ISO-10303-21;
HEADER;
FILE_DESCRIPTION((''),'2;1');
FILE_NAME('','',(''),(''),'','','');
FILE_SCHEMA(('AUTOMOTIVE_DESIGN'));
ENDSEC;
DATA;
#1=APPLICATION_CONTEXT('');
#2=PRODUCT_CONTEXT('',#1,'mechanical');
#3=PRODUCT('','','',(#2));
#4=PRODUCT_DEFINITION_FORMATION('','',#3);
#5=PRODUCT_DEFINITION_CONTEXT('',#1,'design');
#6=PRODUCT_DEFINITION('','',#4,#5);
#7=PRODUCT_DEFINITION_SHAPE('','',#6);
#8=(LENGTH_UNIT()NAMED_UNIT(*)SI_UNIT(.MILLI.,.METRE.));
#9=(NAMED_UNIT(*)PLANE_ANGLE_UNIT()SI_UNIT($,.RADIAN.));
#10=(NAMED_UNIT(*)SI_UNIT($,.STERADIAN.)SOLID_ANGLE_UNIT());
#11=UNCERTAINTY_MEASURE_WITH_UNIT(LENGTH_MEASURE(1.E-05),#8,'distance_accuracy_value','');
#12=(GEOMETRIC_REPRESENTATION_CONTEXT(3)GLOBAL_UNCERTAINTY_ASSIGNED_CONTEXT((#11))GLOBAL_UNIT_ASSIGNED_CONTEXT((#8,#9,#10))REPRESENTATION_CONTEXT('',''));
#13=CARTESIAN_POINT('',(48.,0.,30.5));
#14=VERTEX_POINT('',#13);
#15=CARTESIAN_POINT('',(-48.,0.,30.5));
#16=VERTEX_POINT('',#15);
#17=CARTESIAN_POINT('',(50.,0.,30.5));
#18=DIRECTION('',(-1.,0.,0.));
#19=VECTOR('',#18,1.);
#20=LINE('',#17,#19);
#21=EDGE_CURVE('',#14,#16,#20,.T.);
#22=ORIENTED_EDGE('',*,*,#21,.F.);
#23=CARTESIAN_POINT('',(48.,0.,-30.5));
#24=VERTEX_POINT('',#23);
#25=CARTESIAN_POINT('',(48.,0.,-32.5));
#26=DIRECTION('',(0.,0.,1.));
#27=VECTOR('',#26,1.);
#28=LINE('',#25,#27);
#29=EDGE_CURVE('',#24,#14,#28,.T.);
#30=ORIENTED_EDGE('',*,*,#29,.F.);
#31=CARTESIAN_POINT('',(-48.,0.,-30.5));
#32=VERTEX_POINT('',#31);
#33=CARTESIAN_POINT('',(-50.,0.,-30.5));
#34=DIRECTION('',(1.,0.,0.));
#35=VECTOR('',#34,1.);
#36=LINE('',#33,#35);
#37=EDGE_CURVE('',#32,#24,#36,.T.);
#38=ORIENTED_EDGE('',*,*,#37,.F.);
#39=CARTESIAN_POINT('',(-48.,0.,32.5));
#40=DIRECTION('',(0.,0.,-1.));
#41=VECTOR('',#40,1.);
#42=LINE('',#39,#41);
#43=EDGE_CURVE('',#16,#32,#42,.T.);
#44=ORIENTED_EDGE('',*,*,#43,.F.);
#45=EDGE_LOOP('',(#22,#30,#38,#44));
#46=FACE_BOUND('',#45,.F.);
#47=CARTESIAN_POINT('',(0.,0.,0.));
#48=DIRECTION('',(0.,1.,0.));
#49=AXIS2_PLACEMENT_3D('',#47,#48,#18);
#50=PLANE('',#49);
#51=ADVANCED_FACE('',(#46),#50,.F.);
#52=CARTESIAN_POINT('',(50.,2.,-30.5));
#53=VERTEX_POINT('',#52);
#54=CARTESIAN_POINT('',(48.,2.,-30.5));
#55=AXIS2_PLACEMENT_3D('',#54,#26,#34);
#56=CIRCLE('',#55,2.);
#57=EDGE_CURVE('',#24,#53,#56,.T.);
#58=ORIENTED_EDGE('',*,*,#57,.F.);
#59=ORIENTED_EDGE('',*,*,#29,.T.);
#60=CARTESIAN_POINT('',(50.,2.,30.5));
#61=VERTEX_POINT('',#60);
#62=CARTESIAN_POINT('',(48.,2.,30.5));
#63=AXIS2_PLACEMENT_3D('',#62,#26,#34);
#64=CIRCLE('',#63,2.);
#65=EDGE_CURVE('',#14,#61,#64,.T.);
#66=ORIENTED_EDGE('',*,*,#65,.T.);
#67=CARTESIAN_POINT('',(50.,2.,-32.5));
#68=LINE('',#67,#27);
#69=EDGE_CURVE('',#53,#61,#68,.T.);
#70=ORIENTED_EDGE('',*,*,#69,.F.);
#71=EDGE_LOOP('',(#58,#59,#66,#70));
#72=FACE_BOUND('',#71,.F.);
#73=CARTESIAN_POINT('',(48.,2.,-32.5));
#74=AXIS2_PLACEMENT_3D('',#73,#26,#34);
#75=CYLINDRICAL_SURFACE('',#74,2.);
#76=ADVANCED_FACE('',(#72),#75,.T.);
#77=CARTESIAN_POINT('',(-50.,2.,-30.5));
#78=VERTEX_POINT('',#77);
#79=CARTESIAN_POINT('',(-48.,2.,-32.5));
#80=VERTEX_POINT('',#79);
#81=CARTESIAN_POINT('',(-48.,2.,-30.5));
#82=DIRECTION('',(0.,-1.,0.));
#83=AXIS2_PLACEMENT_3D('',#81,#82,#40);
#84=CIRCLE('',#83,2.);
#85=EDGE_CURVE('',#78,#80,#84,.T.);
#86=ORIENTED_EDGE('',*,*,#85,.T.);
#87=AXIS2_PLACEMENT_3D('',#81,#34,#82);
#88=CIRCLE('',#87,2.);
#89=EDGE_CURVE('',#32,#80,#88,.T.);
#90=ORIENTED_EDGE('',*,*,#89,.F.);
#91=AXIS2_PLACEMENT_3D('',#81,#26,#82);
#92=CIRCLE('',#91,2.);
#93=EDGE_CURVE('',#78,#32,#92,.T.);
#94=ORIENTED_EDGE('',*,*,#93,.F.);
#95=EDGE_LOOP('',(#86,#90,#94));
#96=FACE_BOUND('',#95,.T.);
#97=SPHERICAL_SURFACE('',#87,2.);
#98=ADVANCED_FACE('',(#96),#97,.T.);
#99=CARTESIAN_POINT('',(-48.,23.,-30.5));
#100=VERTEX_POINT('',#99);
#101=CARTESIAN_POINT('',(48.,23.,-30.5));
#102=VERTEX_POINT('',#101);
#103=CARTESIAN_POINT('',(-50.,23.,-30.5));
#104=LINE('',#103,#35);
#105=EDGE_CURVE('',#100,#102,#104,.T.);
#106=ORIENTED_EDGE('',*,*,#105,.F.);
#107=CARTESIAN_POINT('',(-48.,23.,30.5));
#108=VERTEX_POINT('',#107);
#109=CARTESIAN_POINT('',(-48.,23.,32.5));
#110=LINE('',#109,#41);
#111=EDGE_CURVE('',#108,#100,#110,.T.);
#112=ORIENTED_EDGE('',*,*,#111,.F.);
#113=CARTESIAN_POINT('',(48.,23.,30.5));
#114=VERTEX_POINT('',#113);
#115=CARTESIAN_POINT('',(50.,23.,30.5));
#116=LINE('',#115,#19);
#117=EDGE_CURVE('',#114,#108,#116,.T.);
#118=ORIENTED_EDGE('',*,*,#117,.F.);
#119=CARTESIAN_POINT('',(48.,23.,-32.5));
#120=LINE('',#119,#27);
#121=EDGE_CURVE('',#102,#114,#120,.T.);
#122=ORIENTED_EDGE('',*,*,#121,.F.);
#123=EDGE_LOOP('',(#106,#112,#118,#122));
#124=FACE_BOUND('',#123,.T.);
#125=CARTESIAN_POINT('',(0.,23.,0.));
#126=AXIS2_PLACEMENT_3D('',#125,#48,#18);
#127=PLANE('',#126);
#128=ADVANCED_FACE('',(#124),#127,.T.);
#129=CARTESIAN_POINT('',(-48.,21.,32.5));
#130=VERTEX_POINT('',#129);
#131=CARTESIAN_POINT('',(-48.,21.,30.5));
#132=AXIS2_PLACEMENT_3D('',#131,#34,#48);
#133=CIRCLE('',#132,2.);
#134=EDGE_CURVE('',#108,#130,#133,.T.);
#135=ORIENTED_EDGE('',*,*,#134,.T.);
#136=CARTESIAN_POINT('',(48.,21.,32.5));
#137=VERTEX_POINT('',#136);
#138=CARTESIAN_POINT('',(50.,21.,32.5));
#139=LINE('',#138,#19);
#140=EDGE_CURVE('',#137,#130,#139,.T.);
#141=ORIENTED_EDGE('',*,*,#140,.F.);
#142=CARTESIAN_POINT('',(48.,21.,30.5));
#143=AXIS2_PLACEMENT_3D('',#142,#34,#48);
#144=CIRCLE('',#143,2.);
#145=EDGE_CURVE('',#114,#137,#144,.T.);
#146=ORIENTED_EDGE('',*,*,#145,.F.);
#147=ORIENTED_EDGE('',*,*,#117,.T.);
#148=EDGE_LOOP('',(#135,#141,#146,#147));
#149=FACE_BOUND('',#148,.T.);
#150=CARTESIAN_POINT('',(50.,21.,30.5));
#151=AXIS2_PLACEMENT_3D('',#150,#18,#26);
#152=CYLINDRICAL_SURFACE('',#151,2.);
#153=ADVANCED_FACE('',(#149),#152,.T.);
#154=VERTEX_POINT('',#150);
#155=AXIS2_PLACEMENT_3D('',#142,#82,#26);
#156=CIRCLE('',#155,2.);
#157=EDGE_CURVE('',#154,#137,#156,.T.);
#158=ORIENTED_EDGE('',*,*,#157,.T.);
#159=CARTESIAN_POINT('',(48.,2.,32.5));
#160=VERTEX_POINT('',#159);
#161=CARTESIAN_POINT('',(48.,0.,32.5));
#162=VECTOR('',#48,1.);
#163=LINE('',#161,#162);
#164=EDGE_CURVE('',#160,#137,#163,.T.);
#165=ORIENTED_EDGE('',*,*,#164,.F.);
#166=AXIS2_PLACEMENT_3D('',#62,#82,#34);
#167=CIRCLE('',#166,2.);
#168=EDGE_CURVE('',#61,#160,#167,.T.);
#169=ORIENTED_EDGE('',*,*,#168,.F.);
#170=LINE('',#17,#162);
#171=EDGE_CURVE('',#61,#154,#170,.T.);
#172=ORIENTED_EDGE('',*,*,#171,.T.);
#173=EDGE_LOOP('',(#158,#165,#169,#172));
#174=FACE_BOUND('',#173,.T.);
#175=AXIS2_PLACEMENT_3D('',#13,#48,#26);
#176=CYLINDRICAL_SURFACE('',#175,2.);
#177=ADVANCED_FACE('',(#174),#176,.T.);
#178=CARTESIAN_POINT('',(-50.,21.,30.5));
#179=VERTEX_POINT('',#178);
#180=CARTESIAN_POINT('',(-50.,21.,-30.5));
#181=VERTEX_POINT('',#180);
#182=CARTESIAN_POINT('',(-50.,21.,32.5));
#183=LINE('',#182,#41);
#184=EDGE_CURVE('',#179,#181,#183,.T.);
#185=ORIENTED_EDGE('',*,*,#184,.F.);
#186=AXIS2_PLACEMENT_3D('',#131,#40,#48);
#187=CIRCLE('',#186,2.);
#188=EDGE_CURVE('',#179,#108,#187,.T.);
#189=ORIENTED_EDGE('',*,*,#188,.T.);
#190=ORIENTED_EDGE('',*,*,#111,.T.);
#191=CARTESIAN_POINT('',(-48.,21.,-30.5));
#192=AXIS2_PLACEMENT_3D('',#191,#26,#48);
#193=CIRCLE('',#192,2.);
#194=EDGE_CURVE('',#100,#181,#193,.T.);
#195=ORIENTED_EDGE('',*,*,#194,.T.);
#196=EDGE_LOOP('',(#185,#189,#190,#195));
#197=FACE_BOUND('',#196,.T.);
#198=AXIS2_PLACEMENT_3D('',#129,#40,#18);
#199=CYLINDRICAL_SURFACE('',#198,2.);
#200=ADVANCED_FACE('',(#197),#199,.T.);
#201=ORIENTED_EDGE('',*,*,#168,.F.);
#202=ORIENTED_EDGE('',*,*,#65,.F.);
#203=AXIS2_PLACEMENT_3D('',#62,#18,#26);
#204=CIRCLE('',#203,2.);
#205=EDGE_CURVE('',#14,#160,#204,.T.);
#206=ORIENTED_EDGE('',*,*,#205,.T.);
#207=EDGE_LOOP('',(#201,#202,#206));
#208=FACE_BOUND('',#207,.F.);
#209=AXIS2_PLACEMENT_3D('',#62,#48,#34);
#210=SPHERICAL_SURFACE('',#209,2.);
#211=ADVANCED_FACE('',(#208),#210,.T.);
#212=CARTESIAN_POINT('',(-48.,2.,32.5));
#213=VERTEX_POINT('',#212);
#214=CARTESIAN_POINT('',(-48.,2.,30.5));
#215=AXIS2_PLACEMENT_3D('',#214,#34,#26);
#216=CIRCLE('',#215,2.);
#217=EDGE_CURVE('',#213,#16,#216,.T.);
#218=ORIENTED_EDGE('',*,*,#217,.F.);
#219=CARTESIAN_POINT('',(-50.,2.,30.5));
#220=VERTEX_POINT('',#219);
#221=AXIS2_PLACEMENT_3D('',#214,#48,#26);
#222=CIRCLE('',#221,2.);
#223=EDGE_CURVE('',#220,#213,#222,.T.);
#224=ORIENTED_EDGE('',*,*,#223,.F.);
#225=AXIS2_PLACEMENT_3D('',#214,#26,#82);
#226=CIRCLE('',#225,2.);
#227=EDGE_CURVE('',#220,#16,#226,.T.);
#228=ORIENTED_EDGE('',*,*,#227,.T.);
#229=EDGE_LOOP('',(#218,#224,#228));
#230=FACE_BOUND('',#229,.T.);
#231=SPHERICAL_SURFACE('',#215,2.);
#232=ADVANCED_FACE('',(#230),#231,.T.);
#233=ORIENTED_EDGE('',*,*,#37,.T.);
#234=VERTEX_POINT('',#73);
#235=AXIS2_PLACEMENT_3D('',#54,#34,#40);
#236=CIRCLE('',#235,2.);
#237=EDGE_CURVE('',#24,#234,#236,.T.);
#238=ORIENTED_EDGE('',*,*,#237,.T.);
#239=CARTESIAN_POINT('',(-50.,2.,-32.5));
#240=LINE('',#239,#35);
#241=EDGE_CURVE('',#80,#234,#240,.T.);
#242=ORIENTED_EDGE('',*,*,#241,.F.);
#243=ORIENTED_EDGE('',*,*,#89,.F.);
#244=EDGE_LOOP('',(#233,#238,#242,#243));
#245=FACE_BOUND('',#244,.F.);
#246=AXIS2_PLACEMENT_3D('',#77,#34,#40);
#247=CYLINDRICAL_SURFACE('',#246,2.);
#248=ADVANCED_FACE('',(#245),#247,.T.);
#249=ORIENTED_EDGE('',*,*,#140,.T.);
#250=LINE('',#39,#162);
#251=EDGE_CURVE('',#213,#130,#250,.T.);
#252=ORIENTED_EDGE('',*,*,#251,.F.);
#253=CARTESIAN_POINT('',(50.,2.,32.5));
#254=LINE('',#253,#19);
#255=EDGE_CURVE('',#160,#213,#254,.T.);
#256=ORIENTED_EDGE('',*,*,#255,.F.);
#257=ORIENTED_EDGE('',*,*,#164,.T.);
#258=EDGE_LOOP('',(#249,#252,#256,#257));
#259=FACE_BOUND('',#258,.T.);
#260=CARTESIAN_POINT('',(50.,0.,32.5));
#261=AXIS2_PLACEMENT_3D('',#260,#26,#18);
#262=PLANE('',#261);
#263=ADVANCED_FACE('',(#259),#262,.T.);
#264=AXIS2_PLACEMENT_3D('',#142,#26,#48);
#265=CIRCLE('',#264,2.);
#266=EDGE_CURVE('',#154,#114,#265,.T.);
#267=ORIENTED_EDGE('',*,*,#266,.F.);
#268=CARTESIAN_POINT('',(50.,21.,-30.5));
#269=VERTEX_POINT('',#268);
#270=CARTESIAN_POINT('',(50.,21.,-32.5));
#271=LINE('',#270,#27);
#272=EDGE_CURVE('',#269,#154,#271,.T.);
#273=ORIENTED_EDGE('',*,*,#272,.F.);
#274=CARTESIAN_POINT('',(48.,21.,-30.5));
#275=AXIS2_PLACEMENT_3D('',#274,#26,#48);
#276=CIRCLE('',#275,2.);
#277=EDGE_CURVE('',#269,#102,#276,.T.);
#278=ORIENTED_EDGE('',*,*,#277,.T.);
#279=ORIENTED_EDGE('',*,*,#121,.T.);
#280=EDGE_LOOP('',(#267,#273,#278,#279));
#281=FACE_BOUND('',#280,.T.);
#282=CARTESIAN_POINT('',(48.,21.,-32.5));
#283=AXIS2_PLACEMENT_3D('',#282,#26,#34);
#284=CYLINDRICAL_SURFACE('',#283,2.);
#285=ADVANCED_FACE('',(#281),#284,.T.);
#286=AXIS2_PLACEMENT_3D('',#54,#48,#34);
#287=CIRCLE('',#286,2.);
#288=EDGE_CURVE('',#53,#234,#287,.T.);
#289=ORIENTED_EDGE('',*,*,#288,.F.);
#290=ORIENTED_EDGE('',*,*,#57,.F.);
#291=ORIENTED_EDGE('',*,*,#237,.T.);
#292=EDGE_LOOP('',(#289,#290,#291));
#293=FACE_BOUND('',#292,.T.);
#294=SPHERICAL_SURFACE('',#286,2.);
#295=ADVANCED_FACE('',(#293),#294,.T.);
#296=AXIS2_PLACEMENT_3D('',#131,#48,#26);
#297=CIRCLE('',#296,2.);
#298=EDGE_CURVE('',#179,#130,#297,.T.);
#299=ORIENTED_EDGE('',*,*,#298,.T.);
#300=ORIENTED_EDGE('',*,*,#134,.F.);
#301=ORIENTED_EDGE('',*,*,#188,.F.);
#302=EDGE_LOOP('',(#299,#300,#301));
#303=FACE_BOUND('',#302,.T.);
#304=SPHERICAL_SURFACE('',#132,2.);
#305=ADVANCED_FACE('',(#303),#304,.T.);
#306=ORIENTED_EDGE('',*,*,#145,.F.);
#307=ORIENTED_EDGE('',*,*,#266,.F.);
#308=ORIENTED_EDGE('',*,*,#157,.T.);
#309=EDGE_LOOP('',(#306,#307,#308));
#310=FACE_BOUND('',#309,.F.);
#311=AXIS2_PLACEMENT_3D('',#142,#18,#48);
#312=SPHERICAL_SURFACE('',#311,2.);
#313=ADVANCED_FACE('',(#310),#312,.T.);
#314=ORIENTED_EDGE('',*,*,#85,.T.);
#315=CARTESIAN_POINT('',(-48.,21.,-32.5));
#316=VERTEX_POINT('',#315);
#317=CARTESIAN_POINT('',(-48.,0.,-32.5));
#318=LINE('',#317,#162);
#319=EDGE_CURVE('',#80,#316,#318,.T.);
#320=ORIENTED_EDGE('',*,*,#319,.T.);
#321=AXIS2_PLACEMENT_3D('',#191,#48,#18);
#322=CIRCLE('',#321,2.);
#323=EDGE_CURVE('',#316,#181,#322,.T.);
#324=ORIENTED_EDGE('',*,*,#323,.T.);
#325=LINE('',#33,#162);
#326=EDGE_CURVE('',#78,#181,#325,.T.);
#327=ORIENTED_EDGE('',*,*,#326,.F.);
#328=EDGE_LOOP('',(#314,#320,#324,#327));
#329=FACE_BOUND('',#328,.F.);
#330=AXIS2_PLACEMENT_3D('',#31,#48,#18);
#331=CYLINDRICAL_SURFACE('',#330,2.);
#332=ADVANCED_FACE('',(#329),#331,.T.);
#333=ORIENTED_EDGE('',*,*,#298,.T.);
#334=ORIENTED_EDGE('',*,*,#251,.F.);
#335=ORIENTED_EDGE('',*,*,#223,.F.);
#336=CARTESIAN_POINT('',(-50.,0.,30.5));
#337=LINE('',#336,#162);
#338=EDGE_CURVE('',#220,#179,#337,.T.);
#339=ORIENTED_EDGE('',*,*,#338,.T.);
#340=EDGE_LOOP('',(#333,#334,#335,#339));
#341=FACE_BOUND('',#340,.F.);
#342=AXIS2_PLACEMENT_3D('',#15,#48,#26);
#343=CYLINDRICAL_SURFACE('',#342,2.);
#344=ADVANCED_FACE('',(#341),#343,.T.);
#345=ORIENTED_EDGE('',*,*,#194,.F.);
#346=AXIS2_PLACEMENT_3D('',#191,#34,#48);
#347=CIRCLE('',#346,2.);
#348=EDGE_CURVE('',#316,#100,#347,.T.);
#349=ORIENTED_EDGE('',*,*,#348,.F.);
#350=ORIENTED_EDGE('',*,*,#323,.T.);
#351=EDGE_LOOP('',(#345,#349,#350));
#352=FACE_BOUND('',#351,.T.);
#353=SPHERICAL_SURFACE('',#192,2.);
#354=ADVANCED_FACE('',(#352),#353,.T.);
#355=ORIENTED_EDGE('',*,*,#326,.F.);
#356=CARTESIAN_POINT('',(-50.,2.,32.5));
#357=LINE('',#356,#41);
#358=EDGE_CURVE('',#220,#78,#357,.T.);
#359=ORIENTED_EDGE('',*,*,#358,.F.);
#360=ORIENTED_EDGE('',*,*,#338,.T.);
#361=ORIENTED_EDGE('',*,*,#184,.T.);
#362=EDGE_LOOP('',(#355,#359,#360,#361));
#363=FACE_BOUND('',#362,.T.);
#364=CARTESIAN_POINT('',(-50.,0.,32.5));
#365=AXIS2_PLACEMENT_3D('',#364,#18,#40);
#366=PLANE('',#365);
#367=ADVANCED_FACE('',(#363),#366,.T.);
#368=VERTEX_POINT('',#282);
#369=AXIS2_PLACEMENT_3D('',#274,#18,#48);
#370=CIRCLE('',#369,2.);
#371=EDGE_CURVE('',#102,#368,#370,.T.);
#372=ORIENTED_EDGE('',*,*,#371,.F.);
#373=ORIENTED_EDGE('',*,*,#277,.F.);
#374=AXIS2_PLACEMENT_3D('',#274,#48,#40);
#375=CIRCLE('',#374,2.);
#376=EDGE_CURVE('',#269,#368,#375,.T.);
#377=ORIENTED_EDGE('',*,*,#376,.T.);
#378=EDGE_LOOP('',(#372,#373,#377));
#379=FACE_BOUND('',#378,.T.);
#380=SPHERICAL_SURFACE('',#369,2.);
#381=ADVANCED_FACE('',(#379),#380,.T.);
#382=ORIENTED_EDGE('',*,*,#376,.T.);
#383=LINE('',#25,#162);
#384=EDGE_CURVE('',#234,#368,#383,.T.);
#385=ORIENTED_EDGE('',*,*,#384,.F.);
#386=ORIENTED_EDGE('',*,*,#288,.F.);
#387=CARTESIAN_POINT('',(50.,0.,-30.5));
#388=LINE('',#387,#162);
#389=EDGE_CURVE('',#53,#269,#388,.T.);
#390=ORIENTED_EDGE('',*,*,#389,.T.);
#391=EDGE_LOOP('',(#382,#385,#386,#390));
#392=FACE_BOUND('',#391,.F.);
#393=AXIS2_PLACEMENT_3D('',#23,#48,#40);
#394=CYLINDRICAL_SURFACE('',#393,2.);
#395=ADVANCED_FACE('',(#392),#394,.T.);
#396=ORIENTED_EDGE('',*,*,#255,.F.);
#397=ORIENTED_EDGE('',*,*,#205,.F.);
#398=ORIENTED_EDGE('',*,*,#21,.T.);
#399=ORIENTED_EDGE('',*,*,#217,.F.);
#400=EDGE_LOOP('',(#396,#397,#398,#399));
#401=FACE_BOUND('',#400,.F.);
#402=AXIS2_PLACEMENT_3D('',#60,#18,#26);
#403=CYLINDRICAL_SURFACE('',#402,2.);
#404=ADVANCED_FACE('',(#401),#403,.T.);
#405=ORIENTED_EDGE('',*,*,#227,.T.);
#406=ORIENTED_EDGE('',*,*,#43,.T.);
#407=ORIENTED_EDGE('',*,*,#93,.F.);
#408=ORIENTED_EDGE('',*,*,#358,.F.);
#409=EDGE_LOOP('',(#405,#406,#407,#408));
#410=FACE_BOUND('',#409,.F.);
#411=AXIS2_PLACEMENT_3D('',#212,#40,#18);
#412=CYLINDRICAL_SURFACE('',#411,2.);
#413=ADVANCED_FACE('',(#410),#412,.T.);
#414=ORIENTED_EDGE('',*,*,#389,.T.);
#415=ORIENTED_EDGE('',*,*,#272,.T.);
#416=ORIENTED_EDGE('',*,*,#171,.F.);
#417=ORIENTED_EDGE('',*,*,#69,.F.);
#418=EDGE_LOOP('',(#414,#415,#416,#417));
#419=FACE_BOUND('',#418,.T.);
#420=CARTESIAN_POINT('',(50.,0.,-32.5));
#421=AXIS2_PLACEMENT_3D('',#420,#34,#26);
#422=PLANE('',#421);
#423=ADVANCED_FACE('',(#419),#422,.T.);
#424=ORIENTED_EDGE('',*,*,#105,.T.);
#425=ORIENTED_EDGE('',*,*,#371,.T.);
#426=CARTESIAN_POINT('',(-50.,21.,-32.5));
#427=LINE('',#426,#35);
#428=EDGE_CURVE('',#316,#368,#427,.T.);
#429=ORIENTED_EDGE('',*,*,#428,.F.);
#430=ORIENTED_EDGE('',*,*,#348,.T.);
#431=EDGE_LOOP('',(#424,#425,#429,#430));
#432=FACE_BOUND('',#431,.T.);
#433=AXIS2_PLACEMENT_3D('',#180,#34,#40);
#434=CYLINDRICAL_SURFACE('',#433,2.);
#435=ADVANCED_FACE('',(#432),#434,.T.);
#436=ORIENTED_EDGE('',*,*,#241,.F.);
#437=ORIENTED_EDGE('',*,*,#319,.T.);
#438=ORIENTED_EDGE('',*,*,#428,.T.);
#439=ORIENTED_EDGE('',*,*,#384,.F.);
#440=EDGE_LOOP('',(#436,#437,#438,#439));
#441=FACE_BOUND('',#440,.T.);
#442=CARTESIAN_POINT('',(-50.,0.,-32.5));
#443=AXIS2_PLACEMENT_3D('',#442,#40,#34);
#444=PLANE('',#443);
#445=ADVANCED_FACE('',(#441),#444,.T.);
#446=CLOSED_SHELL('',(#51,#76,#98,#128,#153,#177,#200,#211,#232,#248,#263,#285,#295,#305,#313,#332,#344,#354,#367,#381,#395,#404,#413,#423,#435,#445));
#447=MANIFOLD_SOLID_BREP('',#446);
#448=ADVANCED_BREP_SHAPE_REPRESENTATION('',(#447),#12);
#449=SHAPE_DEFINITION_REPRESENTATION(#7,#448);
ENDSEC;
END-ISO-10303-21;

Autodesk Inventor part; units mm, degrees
ref_plane "YZ Plane" through (0, 0, 0) normal (1, 0, 0) x (0, 1, 0)
ref_plane "XZ Plane" through (0, 0, 0) normal (0, 1, 0) x (-1, 0, 0)
ref_plane "XY Plane" through (0, 0, 0) normal (0, 0, 1) x (1, 0, 0)
sketch "Sketch1" plane through (0, 0, 0) normal (0, 1, 0) x (-1, 0, 0)
  line L0 (-50, 32.5) -> (50, 32.5)
  line L1 (50, 32.5) -> (50, -32.5)
  line L2 (50, -32.5) -> (-50, -32.5)
  line L3 (-50, -32.5) -> (-50, 32.5)
  line L4 (-50, 32.5) -> (50, -32.5) construction
  line L5 (50, 32.5) -> (-50, -32.5) construction
  point P0 (0, 0)
  dimension "d0" = 100
  dimension "d1" = 65
extrude "Extrusion1" add sketch "Sketch1" along normal blind 23
fillet "Fillet1" radius 2 12 edges at (0, 23, 32.5) (-50, 23, 0) (0, 23, -32.5) (50, 23, 0) (50, 11.5, 32.5) (50, 11.5, -32.5) (50, 0, 0) (0, 0, 32.5) (-50, 11.5, 32.5) (0, 0, -32.5) (-50, 0, 0) (-50, 11.5, -32.5)
properties part number "Battery 2023"
